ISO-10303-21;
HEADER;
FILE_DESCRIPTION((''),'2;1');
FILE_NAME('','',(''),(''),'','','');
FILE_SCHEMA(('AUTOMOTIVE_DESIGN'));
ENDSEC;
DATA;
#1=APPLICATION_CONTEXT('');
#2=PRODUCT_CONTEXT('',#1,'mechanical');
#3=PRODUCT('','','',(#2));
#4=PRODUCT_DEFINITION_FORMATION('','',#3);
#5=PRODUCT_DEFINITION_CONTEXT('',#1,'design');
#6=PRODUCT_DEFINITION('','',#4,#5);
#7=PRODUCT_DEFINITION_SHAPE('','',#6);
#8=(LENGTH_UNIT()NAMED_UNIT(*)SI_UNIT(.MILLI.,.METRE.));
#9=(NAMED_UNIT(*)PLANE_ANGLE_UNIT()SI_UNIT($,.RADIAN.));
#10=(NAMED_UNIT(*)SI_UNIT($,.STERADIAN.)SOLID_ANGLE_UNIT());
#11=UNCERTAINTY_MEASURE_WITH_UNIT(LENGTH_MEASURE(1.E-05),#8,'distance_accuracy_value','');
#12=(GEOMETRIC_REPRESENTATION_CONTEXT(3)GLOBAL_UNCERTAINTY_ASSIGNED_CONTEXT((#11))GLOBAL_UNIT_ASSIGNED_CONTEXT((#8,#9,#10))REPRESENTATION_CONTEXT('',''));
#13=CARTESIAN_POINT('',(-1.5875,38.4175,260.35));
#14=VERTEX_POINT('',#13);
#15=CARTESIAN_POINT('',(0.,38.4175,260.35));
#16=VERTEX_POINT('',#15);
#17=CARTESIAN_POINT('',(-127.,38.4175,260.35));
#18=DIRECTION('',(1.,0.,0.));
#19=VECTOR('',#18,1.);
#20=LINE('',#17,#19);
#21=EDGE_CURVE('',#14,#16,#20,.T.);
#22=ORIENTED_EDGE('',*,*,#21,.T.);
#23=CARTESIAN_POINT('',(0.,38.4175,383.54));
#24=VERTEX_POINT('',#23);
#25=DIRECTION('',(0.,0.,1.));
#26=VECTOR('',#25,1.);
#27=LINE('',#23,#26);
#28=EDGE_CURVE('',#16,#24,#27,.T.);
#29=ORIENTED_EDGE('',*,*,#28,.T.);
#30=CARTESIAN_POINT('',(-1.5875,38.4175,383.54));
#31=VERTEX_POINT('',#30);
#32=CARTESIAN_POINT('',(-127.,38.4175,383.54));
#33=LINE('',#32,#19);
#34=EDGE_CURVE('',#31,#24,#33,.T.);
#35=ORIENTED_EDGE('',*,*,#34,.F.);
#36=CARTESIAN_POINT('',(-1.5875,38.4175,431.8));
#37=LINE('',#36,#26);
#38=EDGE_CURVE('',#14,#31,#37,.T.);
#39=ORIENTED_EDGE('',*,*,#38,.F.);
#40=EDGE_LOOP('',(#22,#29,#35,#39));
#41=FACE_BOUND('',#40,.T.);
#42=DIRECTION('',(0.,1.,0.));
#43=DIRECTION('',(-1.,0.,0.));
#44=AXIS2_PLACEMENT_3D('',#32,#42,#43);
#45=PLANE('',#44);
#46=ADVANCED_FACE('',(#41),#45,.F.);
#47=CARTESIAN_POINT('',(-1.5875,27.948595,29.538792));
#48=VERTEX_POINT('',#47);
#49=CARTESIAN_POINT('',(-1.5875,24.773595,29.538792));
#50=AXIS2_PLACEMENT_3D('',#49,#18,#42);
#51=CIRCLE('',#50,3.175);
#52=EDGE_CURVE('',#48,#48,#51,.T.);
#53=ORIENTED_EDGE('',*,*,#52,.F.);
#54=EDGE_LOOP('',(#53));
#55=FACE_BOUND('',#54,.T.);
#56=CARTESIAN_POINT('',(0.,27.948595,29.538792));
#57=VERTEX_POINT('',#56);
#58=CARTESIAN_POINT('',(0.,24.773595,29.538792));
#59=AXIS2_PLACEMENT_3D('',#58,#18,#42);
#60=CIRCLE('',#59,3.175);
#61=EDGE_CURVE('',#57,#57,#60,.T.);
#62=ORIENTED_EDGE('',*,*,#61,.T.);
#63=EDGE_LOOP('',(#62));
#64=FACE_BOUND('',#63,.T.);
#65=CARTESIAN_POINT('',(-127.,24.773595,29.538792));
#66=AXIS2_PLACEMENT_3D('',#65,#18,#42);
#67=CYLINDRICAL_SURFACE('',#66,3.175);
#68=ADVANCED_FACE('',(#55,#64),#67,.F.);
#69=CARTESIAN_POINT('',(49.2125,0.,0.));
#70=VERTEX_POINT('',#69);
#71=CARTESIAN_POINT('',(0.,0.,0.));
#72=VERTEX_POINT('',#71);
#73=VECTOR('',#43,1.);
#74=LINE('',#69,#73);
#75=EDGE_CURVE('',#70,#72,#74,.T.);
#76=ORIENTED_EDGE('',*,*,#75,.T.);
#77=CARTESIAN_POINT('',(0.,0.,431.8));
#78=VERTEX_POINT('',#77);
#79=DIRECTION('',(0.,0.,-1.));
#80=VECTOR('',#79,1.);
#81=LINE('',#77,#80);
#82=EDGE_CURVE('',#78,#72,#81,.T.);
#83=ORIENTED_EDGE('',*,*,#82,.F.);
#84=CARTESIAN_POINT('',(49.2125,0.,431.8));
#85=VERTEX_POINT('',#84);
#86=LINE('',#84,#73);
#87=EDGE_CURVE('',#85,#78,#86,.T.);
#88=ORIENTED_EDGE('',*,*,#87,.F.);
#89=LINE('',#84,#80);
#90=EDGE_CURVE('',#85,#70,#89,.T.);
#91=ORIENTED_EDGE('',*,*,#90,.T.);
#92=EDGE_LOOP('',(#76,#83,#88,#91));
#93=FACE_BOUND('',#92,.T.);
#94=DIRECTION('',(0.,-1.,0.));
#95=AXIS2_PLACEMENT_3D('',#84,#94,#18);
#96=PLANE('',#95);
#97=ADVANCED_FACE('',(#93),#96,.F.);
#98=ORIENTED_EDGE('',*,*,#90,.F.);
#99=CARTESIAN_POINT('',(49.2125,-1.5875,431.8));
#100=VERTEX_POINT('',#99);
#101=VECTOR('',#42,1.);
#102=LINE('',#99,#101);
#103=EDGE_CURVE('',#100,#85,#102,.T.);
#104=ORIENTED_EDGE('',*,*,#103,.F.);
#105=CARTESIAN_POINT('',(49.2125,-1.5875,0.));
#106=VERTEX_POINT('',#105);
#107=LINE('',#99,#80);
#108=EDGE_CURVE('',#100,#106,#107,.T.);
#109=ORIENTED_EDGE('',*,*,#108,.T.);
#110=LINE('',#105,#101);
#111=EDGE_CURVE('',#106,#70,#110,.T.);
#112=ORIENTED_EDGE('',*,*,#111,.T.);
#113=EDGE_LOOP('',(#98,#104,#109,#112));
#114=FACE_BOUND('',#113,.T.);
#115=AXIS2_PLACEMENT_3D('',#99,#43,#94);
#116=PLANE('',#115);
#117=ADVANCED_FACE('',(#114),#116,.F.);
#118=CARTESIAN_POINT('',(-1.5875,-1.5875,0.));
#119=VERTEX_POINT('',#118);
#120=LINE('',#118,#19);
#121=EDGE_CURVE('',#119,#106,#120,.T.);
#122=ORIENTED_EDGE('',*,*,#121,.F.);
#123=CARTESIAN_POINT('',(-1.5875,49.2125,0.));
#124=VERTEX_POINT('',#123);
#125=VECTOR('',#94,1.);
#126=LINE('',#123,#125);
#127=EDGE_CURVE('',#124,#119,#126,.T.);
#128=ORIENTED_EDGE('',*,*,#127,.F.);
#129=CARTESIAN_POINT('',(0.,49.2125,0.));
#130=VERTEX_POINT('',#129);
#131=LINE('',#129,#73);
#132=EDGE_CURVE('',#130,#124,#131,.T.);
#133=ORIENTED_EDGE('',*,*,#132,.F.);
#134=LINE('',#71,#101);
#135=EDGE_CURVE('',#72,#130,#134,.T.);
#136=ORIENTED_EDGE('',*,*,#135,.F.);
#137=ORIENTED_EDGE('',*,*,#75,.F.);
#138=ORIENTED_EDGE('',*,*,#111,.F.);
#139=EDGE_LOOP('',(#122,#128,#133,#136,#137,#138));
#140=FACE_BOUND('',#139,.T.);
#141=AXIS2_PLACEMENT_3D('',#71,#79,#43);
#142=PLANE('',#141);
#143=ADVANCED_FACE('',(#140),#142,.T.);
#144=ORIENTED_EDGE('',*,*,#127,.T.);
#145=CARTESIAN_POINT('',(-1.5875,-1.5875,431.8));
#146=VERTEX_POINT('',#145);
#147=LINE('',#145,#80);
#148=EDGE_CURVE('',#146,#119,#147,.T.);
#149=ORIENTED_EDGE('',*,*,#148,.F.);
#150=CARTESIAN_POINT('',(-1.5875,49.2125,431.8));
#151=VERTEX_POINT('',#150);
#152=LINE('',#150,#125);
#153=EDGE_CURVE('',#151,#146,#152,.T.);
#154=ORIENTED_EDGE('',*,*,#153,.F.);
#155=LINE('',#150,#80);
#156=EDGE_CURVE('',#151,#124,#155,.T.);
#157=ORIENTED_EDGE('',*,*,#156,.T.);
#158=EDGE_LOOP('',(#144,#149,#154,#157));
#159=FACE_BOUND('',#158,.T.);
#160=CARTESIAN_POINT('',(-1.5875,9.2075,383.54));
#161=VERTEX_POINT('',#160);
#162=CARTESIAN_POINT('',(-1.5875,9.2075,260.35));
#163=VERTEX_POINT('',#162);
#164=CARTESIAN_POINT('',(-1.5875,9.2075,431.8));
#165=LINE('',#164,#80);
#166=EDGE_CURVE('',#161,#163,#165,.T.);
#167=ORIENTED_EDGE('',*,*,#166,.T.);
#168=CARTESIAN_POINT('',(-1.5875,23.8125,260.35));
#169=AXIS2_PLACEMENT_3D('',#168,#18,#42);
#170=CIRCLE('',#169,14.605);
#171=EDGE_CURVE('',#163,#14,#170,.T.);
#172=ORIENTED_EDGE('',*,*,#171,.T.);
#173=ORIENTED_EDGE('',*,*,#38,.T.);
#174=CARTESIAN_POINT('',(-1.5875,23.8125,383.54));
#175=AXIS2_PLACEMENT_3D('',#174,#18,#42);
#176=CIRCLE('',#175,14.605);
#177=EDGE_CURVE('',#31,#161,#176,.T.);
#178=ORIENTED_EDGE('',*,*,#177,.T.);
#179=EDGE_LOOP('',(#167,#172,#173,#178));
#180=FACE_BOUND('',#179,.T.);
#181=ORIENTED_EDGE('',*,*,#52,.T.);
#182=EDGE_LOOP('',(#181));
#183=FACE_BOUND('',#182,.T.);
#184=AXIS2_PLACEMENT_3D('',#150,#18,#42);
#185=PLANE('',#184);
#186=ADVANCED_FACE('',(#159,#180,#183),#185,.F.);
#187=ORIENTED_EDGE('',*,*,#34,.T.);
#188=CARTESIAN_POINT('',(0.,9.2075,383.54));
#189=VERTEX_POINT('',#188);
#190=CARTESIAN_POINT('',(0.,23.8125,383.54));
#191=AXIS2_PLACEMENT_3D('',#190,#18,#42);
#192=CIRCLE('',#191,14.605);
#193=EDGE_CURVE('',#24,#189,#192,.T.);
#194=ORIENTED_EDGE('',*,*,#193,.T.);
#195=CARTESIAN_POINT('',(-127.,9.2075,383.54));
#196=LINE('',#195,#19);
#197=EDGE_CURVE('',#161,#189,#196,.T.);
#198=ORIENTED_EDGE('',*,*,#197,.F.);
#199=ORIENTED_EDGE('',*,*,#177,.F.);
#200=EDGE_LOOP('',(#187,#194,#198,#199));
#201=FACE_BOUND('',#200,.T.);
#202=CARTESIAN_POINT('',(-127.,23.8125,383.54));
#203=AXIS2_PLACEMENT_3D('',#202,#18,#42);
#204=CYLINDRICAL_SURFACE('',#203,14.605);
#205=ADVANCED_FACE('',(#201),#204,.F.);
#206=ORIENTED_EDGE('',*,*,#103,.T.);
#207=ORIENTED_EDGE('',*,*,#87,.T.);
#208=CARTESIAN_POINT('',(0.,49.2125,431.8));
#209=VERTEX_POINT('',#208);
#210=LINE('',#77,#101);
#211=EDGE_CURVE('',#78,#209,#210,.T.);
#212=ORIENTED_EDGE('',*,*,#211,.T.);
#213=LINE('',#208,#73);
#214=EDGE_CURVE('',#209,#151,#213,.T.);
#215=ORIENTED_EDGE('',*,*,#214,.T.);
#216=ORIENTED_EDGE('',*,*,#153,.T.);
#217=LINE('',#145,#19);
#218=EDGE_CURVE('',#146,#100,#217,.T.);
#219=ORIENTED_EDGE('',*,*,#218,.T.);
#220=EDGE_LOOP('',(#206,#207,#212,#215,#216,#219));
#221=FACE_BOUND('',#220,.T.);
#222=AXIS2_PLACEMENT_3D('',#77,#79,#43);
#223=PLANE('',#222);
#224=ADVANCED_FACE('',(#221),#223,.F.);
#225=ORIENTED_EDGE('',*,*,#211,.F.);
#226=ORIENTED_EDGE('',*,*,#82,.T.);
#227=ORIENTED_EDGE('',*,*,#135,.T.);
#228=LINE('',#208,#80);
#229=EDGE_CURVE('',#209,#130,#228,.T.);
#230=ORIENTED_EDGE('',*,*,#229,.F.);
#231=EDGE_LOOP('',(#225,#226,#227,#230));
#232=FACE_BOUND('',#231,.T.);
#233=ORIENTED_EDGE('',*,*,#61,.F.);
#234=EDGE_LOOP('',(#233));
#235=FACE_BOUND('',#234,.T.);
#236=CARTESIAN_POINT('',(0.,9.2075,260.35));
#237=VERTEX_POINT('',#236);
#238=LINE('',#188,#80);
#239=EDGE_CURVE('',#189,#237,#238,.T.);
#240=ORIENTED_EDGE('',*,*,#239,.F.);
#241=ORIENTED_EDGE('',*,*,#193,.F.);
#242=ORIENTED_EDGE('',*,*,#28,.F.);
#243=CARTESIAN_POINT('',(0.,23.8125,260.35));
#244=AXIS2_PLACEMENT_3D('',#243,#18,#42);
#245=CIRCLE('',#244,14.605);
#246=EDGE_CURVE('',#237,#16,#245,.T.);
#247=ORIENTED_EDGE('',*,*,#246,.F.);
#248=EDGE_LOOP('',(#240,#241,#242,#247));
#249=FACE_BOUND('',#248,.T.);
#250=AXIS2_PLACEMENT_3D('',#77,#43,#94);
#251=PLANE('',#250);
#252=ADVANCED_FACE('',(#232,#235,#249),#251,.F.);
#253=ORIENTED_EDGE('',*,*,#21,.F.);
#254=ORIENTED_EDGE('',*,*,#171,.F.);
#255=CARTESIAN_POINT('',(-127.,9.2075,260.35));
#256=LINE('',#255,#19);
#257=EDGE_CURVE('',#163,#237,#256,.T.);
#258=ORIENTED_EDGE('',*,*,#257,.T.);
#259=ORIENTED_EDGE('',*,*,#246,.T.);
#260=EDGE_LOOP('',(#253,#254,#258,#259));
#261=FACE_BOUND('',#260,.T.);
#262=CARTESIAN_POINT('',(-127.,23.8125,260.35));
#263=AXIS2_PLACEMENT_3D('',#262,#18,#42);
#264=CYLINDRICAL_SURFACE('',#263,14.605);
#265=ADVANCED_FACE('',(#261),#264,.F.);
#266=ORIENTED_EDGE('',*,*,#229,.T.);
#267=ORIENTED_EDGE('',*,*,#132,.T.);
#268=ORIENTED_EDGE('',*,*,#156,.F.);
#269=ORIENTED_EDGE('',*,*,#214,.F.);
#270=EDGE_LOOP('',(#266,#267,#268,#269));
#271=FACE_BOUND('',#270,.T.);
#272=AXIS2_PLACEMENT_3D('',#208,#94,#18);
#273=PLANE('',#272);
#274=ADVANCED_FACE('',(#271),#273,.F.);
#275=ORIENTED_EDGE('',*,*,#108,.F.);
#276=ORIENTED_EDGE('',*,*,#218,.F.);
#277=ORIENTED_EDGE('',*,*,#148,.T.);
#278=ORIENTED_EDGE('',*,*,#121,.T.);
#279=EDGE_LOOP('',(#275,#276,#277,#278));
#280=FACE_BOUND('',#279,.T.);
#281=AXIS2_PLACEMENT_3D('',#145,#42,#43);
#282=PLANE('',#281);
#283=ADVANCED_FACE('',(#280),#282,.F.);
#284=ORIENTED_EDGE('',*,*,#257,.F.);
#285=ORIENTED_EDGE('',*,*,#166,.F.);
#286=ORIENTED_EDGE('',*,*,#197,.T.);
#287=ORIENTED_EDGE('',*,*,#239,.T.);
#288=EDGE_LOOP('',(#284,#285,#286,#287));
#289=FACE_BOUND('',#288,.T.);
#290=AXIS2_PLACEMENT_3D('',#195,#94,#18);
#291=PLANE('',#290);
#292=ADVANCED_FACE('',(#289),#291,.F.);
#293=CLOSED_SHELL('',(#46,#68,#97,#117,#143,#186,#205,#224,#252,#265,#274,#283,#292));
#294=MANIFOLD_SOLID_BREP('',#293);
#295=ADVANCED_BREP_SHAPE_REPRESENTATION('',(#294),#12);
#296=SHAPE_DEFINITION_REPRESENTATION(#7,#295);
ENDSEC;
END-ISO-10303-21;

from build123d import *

# Parameters (mm, degrees)
BOSS_EXTRUDE2_DEPTH = 431.8
CUT_EXTRUDE3_DEPTH  = 127
SKETCH7_R           = 3.175
CUT_EXTRUDE4_DEPTH  = 127


with BuildPart() as part:
    # Sketch3 → Boss-Extrude2 (new body)
    with BuildSketch(Plane.XY):
        Polygon((0, 0), (0, 49.2125), (-1.5875, 49.2125), (-1.5875, -1.5875), (49.2125, -1.5875), (49.2125, 0), align=None)
    extrude(amount=BOSS_EXTRUDE2_DEPTH)

    # Sketch6 → Cut-Extrude3 (cut)
    with BuildSketch(Plane(origin=(0, 0, 0), x_dir=(0, 0, -1), z_dir=(1, 0, 0))):
        with BuildLine():
            Line((-383.54, 38.4175), (-260.35, 38.4175))
            ThreePointArc((-260.35, 38.4175), (-245.745, 23.8125), (-260.35, 9.2075))
            Line((-260.35, 9.2075), (-383.54, 9.2075))
            ThreePointArc((-383.54, 9.2075), (-398.145, 23.8125), (-383.54, 38.4175))
        make_face()
    extrude(amount=-CUT_EXTRUDE3_DEPTH, mode=Mode.SUBTRACT)

    # Sketch7 → Cut-Extrude4 (cut)
    with BuildSketch(Plane(origin=(0, 0, 0), x_dir=(0, 0, -1), z_dir=(1, 0, 0))):
        with Locations(Location((-29.538792285, 24.773594829, 0), (0, 0, 90))):
            Circle(SKETCH7_R)
    extrude(amount=-CUT_EXTRUDE4_DEPTH, mode=Mode.SUBTRACT)


solid = part.part
